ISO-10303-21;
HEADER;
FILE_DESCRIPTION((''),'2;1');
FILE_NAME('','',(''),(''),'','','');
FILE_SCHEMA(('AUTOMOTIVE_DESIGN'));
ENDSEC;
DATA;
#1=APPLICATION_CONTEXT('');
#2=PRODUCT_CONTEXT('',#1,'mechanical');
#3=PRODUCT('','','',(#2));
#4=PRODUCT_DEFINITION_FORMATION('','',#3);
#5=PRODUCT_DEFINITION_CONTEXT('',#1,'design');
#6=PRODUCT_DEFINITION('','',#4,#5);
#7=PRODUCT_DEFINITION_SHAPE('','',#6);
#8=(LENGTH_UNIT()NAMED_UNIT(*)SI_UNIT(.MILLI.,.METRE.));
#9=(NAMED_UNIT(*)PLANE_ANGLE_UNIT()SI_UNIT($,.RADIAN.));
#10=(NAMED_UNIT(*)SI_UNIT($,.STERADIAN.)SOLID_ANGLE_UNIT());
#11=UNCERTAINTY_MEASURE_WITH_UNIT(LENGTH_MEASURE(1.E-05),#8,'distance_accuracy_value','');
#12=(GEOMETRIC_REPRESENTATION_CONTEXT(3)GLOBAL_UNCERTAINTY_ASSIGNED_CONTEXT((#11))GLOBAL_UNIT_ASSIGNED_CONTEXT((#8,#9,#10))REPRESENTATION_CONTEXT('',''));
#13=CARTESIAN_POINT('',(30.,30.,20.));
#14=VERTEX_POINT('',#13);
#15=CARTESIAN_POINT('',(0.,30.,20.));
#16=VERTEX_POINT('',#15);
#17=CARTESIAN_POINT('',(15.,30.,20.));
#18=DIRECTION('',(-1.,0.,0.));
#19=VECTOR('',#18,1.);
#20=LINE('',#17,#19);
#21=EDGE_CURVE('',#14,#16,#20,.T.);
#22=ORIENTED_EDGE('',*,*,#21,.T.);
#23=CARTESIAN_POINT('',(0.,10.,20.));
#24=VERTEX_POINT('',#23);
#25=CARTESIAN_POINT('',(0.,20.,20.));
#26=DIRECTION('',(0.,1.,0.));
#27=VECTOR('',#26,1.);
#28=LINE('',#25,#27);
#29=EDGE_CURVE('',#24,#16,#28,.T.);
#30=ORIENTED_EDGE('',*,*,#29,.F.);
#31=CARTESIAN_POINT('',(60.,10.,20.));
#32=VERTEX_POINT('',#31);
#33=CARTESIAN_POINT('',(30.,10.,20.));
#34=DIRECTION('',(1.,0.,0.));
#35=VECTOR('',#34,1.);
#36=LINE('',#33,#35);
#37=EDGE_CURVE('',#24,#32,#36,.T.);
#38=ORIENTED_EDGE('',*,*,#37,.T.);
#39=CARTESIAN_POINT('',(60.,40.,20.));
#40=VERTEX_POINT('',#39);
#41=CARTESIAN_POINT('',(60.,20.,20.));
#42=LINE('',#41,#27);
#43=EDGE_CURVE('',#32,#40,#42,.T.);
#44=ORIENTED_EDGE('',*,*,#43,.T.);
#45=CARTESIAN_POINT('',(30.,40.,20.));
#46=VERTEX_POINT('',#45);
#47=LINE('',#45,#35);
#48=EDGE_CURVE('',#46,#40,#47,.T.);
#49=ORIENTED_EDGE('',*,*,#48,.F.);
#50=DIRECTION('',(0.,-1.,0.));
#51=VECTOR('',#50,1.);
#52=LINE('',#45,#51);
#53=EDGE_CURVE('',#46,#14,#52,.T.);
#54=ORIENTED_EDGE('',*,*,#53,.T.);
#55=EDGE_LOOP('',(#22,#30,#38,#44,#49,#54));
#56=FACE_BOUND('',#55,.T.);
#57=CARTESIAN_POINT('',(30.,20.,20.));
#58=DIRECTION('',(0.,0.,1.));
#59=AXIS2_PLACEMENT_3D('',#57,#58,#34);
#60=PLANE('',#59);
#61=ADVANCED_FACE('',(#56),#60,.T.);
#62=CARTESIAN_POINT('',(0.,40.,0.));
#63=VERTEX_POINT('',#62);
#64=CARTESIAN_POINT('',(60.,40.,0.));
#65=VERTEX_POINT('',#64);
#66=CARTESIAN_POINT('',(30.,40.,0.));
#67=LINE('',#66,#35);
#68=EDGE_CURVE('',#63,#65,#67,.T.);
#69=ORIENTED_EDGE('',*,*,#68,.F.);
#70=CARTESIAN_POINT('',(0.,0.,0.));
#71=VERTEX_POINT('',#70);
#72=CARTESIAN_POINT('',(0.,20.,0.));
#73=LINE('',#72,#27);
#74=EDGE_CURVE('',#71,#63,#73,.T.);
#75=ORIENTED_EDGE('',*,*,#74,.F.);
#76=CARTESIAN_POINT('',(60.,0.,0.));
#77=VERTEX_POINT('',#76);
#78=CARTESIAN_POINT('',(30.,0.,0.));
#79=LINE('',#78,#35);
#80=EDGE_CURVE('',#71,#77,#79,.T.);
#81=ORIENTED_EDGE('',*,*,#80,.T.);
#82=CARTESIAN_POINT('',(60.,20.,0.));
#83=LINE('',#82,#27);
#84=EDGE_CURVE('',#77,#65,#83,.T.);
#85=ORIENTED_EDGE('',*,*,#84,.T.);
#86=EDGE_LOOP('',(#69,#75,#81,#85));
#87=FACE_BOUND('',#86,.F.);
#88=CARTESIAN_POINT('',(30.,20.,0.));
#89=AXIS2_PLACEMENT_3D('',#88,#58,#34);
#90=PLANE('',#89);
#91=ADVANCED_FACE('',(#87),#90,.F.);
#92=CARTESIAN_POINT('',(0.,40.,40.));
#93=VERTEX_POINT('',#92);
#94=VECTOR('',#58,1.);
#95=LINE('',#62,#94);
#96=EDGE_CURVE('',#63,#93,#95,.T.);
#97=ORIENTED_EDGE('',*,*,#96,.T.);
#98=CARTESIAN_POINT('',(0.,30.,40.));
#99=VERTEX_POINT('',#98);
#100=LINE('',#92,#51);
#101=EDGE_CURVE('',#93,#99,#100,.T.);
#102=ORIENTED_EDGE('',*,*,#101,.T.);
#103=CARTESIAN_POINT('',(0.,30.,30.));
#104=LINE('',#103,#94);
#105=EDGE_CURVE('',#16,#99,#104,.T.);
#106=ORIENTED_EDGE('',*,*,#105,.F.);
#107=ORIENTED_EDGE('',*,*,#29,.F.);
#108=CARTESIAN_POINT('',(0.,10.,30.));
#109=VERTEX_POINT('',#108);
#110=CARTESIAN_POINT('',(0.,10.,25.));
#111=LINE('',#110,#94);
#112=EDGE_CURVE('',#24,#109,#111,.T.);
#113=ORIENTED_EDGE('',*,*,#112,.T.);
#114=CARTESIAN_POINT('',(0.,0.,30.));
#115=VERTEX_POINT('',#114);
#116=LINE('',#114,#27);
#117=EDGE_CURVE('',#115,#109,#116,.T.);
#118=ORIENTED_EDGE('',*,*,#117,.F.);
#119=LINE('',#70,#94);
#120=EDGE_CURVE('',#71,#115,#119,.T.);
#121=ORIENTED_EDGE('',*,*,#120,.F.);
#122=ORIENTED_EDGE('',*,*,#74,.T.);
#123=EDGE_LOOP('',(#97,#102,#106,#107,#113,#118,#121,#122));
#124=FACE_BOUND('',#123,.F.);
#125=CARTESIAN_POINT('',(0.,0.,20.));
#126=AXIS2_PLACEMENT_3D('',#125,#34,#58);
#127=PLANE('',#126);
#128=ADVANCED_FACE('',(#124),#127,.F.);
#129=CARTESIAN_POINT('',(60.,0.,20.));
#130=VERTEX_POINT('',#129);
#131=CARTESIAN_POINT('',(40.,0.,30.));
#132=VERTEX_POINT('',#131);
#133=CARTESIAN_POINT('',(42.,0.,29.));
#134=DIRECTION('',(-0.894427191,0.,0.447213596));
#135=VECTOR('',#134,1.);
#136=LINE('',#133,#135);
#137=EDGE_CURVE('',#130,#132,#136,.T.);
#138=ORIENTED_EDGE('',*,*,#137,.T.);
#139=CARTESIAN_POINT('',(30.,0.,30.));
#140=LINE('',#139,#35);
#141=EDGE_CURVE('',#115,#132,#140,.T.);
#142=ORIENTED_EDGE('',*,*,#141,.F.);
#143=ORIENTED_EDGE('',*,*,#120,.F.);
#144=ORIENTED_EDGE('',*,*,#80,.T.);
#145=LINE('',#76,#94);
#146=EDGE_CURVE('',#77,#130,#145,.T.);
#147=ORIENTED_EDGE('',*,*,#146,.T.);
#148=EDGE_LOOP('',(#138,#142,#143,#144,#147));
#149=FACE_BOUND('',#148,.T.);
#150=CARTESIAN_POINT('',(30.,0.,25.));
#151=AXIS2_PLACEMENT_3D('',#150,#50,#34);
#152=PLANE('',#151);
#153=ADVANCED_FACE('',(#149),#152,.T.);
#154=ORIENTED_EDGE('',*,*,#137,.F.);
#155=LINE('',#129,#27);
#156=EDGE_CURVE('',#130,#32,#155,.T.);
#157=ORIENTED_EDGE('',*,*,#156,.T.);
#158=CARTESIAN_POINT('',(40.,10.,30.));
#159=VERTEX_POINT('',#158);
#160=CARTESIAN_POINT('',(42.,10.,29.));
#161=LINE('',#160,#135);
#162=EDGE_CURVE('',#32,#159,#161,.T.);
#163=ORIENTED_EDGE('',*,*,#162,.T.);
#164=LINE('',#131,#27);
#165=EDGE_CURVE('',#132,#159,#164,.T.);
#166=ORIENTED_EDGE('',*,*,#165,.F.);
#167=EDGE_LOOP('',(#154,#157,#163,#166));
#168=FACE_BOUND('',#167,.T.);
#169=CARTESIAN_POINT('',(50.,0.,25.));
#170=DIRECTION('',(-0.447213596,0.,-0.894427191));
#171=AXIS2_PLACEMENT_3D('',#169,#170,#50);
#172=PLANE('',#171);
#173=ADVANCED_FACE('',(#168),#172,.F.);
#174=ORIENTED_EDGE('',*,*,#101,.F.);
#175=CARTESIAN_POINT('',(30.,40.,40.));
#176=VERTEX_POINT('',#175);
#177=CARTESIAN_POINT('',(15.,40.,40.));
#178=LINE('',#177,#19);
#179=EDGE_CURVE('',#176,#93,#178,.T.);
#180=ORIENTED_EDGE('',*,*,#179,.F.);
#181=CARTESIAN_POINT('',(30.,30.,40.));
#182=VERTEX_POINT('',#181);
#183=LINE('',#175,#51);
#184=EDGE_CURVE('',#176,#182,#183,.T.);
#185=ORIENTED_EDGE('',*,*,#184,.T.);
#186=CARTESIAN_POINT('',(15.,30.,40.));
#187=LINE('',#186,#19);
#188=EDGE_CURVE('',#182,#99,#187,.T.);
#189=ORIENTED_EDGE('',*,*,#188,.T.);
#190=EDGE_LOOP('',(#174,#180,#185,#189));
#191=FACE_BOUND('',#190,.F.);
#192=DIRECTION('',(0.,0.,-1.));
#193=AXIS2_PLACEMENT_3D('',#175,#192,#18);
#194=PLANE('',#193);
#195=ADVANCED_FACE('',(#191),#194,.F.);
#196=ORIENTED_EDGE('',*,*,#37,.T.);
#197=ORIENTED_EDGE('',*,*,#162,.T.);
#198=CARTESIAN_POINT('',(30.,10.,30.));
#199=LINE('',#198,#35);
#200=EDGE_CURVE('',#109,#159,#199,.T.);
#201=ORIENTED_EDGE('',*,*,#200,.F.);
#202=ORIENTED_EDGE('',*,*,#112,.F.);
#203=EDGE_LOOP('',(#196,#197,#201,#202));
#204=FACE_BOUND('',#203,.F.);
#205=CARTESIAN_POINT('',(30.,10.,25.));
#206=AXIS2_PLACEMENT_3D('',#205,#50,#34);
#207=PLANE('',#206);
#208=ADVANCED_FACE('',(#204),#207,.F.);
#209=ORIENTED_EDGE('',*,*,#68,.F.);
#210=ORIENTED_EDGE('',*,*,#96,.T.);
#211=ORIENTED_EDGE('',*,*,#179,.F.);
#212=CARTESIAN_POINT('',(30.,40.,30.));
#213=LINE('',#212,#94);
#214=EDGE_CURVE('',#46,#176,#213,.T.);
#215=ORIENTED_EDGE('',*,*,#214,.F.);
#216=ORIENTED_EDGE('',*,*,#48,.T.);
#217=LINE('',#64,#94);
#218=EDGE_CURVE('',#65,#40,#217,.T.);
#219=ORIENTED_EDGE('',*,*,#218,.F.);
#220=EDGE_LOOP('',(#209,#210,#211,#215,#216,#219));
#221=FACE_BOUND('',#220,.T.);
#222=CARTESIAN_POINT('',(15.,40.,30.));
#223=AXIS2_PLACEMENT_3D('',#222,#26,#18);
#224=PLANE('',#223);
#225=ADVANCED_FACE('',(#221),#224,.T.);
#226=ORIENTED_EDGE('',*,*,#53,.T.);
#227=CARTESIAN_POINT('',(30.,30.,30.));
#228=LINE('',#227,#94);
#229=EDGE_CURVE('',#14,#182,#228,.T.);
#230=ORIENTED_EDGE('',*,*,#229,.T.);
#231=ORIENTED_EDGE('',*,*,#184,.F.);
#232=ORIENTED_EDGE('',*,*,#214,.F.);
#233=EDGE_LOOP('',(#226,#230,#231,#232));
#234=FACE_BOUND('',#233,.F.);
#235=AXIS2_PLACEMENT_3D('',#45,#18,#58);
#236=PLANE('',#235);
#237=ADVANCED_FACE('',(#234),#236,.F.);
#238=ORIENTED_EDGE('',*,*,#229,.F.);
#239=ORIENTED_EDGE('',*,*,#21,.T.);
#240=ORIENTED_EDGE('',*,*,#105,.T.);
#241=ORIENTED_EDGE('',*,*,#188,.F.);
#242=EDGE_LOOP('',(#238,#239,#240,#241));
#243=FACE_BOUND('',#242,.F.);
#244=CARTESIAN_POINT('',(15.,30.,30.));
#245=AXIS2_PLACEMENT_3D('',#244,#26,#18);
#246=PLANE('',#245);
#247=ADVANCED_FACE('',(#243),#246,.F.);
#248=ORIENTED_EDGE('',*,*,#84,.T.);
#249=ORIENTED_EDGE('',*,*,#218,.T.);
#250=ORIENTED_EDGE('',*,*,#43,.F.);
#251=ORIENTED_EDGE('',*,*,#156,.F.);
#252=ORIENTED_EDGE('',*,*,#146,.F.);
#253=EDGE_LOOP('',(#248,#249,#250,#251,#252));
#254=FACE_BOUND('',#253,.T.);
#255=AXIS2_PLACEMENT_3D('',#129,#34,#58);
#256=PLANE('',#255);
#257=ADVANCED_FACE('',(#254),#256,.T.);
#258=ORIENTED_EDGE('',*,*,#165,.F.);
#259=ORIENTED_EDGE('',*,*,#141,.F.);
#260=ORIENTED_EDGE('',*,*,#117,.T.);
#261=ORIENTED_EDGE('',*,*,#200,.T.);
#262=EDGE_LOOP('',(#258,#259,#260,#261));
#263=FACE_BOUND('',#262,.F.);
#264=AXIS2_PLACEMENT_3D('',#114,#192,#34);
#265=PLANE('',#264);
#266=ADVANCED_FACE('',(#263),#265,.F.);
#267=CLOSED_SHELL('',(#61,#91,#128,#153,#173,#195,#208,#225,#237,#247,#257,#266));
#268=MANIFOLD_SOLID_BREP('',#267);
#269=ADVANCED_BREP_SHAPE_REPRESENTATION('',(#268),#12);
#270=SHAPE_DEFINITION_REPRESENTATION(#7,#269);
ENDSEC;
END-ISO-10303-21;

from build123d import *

# Parameters (mm, degrees)
F0_W     = 60
F0_H     = 40
F1_DEPTH = 20
F2_W     = 60
F2_H     = 10
F3_DEPTH = 10
F4_SIZE2 = 20
F4_SIZE  = 10
F5_W     = 30
F5_H     = 20
F6_DEPTH = 10


with BuildPart() as f1:
    # F0 (on Top) → F1 (new body)
    with BuildSketch(Plane.XY):
        with Locations((30, 20)):
            Rectangle(F0_W, F0_H)
    extrude(amount=F1_DEPTH)

    # F2 (on face) → F3 (join)
    with BuildSketch(Plane.XZ):
        with Locations((30, 25)):
            Rectangle(F2_W, F2_H)
    extrude(amount=-F3_DEPTH)

    # F4
    f4_edges = [f1.edges().sort_by_distance(p)[0] for p in [
        (60, 5, 30),
    ]]
    chamfer(f4_edges, length=F4_SIZE, length2=F4_SIZE2)

    # F5 (on face) → F6 (join)
    with BuildSketch(Plane(origin=(0, 40, 0), x_dir=(-1, 0, 0), z_dir=(0, 1, 0))):
        with Locations((-15, 30)):
            Rectangle(F5_W, F5_H)
    extrude(amount=-F6_DEPTH)


solid = f1.part
